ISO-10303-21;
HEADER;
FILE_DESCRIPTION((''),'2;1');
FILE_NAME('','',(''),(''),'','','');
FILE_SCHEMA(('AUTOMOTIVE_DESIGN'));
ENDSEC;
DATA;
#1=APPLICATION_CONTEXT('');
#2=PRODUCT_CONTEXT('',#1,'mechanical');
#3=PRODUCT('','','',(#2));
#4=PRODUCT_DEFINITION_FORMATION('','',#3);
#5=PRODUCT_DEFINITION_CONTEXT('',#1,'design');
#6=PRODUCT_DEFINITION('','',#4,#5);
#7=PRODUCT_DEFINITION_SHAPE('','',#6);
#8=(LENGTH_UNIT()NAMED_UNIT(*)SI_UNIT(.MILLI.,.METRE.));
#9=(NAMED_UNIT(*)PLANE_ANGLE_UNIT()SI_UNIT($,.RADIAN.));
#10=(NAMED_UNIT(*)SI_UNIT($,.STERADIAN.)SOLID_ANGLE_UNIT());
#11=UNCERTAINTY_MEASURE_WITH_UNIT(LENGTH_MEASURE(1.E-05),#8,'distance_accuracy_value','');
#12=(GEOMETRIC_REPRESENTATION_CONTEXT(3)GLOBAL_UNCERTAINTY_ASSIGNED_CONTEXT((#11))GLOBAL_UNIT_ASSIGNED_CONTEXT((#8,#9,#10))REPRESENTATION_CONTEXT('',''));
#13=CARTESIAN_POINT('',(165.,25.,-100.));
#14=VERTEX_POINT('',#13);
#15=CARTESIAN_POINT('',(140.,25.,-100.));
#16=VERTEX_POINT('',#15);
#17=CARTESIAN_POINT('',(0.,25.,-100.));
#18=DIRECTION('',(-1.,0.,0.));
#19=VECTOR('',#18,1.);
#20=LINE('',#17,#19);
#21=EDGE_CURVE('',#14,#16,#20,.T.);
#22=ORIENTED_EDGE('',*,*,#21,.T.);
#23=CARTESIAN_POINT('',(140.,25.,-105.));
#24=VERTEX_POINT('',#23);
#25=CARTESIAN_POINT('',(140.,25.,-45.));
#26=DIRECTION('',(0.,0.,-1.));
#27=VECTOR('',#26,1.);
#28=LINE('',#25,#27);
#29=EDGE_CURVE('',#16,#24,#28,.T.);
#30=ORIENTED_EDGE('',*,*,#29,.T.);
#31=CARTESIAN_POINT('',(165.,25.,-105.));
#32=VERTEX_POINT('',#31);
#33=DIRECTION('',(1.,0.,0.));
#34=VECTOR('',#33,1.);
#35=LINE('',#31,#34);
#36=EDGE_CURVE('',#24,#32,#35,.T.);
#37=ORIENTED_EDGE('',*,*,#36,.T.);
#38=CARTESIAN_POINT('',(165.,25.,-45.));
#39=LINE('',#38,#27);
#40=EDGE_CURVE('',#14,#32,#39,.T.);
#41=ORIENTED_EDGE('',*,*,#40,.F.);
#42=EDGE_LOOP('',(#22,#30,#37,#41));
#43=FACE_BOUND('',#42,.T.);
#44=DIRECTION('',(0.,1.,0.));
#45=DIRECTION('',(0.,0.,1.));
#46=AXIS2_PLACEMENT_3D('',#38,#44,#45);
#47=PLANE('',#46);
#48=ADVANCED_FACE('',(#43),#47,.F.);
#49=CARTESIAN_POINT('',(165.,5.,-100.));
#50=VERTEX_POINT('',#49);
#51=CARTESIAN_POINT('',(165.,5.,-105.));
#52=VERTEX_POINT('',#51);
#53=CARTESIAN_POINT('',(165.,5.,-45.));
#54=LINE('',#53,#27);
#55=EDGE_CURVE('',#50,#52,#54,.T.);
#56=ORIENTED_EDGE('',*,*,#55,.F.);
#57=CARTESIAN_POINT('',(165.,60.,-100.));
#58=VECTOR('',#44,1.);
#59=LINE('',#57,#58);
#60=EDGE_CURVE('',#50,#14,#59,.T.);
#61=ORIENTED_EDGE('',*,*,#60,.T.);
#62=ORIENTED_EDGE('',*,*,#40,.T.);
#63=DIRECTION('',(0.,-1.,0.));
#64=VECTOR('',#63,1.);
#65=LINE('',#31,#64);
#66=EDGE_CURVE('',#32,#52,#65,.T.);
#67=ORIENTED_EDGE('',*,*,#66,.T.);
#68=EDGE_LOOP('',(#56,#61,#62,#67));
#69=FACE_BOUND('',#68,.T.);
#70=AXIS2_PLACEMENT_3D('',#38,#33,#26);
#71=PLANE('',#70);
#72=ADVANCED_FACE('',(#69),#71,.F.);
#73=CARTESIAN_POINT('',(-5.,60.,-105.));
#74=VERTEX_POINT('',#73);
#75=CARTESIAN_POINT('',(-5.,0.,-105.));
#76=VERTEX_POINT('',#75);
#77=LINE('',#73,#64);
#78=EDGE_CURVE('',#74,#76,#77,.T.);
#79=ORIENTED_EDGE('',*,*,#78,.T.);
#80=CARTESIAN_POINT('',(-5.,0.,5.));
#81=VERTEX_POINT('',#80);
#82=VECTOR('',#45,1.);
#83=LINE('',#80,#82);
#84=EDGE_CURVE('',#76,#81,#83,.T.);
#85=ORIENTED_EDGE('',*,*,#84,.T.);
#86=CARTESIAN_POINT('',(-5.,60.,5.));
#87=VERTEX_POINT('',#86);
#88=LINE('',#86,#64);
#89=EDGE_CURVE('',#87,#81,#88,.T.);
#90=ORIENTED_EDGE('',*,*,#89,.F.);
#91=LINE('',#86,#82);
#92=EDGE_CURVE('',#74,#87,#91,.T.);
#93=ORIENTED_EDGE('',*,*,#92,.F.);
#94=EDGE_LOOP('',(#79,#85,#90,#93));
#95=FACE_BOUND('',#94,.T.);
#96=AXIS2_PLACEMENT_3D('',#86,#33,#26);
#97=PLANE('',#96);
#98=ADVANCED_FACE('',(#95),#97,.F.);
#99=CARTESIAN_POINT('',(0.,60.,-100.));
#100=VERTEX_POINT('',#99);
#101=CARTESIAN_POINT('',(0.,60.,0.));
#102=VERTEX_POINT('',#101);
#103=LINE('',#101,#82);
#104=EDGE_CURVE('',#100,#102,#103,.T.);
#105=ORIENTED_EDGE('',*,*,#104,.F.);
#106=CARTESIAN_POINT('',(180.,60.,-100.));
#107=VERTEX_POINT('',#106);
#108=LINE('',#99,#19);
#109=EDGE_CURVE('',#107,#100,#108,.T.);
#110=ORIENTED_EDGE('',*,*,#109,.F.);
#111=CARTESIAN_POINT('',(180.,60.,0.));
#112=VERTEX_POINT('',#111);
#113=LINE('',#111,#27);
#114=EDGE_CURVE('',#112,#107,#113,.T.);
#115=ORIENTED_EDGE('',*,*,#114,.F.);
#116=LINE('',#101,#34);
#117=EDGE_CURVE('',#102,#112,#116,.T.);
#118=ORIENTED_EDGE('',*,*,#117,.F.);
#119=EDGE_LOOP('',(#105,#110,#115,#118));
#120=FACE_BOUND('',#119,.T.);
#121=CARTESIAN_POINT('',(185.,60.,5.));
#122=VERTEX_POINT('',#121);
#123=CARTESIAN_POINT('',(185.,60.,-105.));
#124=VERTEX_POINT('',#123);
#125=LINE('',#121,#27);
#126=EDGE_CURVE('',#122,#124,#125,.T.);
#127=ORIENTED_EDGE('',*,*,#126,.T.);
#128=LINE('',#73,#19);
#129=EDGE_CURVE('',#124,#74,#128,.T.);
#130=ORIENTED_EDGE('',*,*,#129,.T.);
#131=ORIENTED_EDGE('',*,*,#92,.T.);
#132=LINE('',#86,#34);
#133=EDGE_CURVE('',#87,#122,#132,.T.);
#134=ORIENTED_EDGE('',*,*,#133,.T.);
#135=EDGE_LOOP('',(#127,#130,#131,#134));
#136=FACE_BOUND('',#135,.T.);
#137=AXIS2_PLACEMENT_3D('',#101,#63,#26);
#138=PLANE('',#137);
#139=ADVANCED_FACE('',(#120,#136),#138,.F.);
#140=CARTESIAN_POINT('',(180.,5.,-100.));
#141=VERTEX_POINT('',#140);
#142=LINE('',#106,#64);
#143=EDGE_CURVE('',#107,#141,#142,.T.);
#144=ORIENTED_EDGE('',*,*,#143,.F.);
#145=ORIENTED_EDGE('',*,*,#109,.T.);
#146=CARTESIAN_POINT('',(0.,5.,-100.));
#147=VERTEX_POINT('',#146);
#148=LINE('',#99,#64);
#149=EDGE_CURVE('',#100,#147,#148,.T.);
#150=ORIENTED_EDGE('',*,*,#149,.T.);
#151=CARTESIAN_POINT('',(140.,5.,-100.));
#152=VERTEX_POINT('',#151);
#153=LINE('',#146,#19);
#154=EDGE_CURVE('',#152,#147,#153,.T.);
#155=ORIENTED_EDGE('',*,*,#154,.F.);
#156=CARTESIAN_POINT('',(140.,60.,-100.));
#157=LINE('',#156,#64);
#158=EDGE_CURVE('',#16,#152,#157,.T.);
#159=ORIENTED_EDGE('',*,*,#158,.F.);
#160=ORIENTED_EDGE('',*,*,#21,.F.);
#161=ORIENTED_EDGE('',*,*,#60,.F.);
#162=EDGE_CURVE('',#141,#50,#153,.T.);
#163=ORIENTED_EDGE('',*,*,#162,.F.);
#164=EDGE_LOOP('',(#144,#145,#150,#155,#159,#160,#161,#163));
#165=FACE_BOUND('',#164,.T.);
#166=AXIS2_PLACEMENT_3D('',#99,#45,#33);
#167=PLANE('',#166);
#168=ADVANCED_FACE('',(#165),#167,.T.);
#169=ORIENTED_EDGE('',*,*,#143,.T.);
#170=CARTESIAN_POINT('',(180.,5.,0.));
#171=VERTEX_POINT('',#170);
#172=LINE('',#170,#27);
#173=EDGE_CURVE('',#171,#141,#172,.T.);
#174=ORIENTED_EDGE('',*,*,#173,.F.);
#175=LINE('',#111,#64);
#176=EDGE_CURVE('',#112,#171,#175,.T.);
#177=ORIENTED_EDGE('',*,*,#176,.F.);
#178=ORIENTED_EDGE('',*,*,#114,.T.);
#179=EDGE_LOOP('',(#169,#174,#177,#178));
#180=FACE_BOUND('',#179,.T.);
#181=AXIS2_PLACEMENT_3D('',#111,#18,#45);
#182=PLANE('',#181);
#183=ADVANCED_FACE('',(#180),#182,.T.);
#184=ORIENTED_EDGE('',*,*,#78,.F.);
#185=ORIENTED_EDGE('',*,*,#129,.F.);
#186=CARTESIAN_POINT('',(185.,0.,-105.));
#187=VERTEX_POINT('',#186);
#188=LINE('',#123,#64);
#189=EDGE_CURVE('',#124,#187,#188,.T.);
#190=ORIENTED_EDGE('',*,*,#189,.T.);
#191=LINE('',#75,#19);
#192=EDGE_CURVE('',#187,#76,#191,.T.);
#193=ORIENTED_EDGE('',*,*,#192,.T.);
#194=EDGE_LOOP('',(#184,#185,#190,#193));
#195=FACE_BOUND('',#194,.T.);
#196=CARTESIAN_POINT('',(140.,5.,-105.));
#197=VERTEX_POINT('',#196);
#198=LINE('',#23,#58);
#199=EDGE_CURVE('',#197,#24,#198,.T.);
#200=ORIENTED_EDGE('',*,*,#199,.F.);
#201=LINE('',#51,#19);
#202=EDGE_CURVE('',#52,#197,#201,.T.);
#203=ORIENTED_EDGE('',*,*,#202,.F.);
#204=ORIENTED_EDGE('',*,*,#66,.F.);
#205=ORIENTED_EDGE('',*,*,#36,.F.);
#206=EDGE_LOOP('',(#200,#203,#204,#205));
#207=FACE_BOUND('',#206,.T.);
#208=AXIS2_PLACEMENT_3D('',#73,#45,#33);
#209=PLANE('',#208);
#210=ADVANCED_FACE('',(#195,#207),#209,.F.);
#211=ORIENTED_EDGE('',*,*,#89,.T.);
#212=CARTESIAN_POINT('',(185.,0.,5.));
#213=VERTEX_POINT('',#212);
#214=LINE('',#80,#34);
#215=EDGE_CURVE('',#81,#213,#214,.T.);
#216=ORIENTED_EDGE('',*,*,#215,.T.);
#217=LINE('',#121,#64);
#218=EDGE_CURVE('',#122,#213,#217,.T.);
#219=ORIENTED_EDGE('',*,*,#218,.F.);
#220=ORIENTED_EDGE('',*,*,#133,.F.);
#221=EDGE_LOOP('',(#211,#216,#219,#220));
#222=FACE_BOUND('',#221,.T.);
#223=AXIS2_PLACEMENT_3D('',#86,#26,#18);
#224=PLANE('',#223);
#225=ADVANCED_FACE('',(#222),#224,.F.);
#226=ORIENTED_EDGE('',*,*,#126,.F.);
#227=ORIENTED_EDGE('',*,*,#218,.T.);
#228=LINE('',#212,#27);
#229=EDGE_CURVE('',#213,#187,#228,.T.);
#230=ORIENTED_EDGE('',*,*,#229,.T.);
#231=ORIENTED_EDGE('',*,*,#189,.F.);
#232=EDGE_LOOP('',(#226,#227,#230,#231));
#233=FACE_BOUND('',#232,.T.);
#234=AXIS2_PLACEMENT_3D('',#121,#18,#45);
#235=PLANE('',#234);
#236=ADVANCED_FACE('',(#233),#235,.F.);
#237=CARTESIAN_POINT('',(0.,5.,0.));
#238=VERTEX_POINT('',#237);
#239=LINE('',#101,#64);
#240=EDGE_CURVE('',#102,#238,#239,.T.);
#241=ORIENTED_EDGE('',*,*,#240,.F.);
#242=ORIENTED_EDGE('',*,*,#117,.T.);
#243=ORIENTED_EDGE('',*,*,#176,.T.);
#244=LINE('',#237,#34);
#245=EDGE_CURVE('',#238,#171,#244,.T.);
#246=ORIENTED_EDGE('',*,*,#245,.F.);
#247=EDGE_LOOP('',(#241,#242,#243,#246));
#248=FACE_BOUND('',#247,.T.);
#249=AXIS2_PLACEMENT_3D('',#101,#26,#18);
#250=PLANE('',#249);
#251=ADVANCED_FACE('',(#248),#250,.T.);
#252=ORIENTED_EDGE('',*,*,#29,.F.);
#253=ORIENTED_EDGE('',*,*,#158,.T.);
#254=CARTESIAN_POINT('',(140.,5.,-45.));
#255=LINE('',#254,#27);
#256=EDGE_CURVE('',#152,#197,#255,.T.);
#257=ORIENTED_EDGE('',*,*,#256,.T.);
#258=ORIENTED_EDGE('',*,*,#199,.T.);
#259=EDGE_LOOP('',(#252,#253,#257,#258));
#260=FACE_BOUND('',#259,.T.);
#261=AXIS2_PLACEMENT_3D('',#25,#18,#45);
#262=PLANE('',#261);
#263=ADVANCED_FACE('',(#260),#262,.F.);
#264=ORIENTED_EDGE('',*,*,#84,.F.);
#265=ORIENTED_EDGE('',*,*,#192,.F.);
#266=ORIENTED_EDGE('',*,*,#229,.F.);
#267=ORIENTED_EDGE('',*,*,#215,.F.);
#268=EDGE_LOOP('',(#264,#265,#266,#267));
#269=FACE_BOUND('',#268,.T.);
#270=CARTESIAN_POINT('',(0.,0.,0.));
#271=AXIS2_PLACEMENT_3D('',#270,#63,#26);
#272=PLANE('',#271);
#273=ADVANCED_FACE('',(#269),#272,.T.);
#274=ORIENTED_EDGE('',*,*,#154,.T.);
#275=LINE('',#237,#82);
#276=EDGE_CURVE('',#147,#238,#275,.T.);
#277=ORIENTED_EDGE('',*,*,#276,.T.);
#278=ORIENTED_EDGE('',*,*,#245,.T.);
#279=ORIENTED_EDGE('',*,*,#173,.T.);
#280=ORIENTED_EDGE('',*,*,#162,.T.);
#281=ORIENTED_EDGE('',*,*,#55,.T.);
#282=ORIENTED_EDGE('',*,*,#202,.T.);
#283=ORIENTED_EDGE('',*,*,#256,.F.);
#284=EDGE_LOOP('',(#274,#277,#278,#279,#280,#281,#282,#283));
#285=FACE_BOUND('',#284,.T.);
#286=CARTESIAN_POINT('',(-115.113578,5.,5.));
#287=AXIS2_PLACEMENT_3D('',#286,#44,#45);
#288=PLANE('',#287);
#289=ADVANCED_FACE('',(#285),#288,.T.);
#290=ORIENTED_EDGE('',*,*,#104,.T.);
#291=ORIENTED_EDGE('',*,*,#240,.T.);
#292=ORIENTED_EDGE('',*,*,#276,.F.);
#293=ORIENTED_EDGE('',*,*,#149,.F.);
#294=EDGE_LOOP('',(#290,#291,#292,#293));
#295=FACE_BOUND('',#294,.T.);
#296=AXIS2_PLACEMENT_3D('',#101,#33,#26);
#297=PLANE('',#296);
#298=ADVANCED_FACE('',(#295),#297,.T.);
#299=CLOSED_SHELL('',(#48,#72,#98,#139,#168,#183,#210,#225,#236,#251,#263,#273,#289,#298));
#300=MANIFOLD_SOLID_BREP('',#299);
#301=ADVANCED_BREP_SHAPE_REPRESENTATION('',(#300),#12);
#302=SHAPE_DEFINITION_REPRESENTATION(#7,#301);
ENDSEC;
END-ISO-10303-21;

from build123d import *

# Parameters (mm, degrees)
SKETCH1_W           = 190
SKETCH1_H           = 110
SKETCH1_W_2         = 180
SKETCH1_H_2         = 100
BOSS_EXTRUDE1_DEPTH = 60
SKETCH2_W           = 110
SKETCH2_H           = 5
BOSS_EXTRUDE2_DEPTH = 190
SKETCH3_W           = 25
SKETCH3_H           = 20
CUT_EXTRUDE1_DEPTH  = 60


with BuildPart() as part:
    # Sketch1 → Boss-Extrude1 (new body)
    with BuildSketch(Plane(origin=(0, 0, 0), x_dir=(1, 0, 0), z_dir=(0, 1, 0))):
        with Locations((90, 50)):
            Rectangle(SKETCH1_W, SKETCH1_H)
        with Locations((90, 50)):
            Rectangle(SKETCH1_W_2, SKETCH1_H_2, mode=Mode.SUBTRACT)
    extrude(amount=BOSS_EXTRUDE1_DEPTH)

    # Sketch2 → Boss-Extrude2 (add)
    with BuildSketch(Plane(origin=(185, 0, 0), x_dir=(0, 0, -1), z_dir=(1, 0, 0))):
        with Locations((50, 2.5)):
            Rectangle(SKETCH2_W, SKETCH2_H)
    extrude(amount=-BOSS_EXTRUDE2_DEPTH)

    # Sketch3 → Cut-Extrude1 (cut)
    with BuildSketch(Plane(origin=(0, 0, -105), x_dir=(-1, 0, 0), z_dir=(0, 0, -1))):
        with Locations((-152.5, 15)):
            Rectangle(SKETCH3_W, SKETCH3_H)
    extrude(amount=-CUT_EXTRUDE1_DEPTH, mode=Mode.SUBTRACT)


solid = part.part
